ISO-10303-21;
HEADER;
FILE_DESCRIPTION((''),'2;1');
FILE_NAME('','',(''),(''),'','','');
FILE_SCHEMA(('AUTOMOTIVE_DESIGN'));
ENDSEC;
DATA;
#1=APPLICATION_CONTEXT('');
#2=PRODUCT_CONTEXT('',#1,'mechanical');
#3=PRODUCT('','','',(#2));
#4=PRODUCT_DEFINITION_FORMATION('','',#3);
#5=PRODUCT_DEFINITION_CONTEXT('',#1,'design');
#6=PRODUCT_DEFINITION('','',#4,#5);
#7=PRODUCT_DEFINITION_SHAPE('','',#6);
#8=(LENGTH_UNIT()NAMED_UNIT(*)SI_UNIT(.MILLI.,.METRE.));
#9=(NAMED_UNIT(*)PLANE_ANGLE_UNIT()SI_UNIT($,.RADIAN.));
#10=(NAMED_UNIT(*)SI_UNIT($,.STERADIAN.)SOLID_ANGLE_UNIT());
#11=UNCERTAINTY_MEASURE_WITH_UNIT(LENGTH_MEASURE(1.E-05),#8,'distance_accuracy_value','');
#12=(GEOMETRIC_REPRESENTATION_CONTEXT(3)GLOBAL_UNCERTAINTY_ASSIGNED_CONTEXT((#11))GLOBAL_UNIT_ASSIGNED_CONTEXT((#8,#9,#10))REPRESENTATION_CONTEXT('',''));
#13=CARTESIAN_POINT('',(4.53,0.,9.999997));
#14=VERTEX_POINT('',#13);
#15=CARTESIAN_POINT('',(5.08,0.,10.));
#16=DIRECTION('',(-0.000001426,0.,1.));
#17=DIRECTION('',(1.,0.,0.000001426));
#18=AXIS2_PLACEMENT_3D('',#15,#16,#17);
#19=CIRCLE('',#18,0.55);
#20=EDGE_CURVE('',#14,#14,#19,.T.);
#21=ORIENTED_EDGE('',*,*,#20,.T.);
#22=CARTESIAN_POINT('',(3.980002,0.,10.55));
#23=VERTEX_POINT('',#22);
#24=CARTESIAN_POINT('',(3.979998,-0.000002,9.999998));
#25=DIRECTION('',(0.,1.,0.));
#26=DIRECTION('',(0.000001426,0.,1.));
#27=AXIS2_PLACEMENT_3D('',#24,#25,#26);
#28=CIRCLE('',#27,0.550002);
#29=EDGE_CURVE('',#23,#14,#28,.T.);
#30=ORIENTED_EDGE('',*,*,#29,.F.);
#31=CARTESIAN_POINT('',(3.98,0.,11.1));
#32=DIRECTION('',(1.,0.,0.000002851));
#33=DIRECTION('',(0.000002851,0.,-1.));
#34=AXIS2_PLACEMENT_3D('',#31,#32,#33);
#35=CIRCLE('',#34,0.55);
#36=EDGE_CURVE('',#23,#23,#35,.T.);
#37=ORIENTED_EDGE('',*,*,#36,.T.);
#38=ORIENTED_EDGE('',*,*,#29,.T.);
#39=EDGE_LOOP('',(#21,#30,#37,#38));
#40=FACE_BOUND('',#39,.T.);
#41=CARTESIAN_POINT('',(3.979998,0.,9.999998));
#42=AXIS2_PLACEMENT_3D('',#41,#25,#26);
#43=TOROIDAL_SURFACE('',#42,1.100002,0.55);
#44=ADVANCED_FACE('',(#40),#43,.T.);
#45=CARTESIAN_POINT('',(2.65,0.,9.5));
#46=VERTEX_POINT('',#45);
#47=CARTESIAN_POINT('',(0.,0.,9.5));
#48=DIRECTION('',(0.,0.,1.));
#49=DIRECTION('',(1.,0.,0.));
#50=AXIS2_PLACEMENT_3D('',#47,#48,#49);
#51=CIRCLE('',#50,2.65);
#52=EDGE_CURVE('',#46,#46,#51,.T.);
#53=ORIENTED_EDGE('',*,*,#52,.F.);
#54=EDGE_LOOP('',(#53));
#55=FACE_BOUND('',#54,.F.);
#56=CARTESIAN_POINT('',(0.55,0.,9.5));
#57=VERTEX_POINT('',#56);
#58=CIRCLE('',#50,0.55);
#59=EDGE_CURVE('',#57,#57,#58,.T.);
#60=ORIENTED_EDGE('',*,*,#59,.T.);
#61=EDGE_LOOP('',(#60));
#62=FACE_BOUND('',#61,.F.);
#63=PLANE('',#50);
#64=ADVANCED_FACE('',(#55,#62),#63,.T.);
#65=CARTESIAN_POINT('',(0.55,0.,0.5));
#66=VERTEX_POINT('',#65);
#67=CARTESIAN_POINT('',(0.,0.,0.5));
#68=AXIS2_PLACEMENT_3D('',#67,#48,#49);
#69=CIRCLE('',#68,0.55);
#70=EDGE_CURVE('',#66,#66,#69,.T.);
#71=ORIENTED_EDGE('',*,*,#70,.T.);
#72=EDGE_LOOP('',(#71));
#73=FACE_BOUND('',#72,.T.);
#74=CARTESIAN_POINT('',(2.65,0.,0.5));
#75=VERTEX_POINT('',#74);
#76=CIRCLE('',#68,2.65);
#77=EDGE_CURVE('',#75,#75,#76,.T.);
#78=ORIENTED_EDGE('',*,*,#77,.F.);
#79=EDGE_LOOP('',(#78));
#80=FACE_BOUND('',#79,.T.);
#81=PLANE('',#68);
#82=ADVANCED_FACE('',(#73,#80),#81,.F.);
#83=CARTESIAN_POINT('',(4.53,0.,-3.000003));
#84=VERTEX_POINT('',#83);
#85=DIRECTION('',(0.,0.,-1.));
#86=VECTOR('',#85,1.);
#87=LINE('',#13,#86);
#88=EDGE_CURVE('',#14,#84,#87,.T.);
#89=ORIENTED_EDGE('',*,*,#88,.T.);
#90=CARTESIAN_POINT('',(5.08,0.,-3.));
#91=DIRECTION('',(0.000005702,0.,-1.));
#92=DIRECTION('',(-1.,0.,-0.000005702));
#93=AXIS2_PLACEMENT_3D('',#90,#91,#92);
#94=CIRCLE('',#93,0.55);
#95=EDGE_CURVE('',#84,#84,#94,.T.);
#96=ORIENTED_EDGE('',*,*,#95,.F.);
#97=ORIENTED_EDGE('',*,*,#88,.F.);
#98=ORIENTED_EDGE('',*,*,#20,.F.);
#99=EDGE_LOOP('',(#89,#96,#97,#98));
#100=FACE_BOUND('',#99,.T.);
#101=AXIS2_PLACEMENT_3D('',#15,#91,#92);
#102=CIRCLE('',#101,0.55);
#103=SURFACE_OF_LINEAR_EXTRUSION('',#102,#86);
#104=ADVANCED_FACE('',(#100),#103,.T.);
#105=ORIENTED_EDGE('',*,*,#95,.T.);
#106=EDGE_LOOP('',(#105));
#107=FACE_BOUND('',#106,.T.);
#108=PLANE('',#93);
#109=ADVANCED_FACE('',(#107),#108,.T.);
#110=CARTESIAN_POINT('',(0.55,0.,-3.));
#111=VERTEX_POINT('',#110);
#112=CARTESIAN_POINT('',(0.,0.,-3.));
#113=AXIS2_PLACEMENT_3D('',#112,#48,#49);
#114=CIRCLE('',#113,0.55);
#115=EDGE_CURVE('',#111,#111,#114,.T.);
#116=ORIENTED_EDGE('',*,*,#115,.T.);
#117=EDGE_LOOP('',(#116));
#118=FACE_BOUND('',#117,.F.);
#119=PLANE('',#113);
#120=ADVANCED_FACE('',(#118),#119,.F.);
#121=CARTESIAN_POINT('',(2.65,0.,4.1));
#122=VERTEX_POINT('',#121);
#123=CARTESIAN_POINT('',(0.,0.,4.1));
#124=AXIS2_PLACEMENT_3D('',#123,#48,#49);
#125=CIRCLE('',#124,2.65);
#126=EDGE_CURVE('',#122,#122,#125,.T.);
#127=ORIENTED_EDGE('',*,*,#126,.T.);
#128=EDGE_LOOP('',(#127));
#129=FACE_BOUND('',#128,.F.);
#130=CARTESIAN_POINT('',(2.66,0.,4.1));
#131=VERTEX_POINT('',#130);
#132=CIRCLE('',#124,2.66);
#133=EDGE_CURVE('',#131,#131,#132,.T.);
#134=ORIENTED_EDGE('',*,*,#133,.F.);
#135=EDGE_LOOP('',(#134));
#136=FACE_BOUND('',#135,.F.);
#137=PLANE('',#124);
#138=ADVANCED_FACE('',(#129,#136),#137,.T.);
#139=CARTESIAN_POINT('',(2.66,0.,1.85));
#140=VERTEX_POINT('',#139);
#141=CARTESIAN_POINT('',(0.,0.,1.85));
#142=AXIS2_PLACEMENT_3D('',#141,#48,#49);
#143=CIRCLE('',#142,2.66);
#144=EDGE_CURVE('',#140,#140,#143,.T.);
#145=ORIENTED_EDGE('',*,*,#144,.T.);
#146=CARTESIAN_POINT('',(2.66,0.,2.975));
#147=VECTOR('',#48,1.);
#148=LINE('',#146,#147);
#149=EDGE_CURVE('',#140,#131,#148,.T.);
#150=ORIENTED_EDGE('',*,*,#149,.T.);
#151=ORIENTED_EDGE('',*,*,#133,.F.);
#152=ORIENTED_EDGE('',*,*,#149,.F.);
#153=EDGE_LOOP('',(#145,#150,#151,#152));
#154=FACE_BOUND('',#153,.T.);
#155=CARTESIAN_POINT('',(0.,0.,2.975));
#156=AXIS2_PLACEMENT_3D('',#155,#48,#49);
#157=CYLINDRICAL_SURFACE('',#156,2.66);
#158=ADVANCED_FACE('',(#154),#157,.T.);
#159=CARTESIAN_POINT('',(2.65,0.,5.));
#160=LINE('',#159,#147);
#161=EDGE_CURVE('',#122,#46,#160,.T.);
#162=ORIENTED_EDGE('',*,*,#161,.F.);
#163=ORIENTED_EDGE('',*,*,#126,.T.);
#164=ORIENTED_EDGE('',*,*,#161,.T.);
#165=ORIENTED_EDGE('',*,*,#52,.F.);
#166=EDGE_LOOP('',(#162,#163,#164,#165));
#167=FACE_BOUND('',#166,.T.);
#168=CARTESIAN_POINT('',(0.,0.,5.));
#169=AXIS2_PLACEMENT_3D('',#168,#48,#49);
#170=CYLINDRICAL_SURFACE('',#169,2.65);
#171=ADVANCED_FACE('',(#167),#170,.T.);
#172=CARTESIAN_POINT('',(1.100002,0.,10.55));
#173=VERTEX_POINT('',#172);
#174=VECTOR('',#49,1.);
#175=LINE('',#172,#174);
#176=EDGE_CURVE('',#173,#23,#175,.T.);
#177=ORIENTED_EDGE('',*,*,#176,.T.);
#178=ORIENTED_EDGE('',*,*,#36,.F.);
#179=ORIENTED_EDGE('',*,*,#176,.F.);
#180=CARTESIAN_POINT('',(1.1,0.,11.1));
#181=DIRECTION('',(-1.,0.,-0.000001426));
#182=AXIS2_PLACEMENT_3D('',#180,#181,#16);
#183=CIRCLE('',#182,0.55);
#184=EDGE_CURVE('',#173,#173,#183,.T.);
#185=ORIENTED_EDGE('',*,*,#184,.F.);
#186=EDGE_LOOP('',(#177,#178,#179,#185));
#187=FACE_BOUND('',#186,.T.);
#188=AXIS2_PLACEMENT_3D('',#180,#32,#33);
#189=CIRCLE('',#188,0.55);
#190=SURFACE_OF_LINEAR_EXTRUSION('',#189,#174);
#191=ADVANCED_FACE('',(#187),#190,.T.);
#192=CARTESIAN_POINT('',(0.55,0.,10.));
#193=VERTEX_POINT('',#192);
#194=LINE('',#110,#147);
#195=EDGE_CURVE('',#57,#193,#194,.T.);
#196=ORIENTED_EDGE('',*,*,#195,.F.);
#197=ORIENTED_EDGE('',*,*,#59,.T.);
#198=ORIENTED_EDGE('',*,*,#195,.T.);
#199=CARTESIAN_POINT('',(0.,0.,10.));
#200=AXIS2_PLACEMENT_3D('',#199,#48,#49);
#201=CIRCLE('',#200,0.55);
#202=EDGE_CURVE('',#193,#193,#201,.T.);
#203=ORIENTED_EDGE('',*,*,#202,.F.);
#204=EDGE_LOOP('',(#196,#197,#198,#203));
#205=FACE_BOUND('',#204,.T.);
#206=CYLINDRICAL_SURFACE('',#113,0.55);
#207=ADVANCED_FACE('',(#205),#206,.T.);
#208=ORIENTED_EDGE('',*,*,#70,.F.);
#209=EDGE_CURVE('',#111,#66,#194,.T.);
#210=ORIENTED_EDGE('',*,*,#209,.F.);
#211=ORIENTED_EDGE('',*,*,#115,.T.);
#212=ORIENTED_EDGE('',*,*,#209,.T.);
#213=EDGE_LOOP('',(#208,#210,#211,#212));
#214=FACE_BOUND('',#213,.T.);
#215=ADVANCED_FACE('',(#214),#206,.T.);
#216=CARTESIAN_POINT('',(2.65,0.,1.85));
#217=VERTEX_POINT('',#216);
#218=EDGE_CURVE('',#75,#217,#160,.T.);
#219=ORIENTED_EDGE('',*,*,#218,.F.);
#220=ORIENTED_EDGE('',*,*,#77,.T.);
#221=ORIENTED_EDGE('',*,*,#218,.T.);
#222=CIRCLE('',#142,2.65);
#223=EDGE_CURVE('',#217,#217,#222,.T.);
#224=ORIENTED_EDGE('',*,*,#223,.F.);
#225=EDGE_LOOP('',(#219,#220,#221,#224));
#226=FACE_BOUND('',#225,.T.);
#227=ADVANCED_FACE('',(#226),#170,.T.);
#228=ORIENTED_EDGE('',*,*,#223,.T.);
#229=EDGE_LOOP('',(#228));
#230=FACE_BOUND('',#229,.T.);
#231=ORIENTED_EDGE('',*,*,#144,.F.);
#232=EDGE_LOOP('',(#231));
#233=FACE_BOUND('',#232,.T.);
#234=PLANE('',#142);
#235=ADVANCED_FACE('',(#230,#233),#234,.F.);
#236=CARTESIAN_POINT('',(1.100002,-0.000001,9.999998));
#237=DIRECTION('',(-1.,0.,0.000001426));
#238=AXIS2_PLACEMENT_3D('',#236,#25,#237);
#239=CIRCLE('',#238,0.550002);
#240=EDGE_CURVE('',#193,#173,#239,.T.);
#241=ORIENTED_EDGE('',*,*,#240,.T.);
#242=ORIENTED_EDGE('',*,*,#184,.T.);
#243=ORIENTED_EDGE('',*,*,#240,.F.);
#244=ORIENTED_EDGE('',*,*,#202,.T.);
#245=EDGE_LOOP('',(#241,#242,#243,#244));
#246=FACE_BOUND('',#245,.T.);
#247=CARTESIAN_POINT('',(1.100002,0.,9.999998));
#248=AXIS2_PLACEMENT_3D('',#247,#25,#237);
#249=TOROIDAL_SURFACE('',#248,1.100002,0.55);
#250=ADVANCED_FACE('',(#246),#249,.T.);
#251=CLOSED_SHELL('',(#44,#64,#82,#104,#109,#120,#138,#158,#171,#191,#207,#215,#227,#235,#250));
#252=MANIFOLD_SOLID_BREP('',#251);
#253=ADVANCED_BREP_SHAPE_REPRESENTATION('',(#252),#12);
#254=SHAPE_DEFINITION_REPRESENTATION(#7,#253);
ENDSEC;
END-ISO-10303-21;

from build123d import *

# Parameters (mm, degrees)
SKETCH003_W = 2.66
SKETCH003_H = 2.25
SKETCH002_W = 2.65
SKETCH002_H = 9
SKETCH001_R = 0.55


with BuildPart() as revolution001:
    # Sketch003 → Revolution001 (revolve)
    with BuildSketch(Plane.XZ):
        with Locations((1.33, 2.975)):
            Rectangle(SKETCH003_W, SKETCH003_H)
    revolve(axis=Axis((0, 0, 0), (0, 0, 1)))


with BuildPart() as revolution:
    # Sketch002 → Revolution (revolve)
    with BuildSketch(Plane.XZ):
        with Locations((1.325, 5)):
            Rectangle(SKETCH002_W, SKETCH002_H)
    revolve(axis=Axis((0, 0, 0), (0, 0, 1)))


with BuildPart() as d_do_201ae_p5_08mm_vertical_anodeup:
    # Sweep: sweep along a path in Sketch
    with BuildLine(Plane.XZ) as sweep_path:
        Line((0, -3), (0, 10))
        ThreePointArc((0, 10), (0.322183, 10.777817), (1.1, 11.1))
        Line((1.1, 11.1), (3.98, 11.1))
        ThreePointArc((3.98, 11.1), (4.757817, 10.777817), (5.08, 10))
        Line((5.08, 10), (5.08, -3))
    # Sketch001 → Sweep (sweep)
    with BuildSketch(Plane.XY):
        Circle(SKETCH001_R)
    sweep(path=sweep_path.line)

    # Sweep_mp_cp: union Revolution001, Revolution
    add(revolution001.part)
    add(revolution.part)


solid = d_do_201ae_p5_08mm_vertical_anodeup.part
